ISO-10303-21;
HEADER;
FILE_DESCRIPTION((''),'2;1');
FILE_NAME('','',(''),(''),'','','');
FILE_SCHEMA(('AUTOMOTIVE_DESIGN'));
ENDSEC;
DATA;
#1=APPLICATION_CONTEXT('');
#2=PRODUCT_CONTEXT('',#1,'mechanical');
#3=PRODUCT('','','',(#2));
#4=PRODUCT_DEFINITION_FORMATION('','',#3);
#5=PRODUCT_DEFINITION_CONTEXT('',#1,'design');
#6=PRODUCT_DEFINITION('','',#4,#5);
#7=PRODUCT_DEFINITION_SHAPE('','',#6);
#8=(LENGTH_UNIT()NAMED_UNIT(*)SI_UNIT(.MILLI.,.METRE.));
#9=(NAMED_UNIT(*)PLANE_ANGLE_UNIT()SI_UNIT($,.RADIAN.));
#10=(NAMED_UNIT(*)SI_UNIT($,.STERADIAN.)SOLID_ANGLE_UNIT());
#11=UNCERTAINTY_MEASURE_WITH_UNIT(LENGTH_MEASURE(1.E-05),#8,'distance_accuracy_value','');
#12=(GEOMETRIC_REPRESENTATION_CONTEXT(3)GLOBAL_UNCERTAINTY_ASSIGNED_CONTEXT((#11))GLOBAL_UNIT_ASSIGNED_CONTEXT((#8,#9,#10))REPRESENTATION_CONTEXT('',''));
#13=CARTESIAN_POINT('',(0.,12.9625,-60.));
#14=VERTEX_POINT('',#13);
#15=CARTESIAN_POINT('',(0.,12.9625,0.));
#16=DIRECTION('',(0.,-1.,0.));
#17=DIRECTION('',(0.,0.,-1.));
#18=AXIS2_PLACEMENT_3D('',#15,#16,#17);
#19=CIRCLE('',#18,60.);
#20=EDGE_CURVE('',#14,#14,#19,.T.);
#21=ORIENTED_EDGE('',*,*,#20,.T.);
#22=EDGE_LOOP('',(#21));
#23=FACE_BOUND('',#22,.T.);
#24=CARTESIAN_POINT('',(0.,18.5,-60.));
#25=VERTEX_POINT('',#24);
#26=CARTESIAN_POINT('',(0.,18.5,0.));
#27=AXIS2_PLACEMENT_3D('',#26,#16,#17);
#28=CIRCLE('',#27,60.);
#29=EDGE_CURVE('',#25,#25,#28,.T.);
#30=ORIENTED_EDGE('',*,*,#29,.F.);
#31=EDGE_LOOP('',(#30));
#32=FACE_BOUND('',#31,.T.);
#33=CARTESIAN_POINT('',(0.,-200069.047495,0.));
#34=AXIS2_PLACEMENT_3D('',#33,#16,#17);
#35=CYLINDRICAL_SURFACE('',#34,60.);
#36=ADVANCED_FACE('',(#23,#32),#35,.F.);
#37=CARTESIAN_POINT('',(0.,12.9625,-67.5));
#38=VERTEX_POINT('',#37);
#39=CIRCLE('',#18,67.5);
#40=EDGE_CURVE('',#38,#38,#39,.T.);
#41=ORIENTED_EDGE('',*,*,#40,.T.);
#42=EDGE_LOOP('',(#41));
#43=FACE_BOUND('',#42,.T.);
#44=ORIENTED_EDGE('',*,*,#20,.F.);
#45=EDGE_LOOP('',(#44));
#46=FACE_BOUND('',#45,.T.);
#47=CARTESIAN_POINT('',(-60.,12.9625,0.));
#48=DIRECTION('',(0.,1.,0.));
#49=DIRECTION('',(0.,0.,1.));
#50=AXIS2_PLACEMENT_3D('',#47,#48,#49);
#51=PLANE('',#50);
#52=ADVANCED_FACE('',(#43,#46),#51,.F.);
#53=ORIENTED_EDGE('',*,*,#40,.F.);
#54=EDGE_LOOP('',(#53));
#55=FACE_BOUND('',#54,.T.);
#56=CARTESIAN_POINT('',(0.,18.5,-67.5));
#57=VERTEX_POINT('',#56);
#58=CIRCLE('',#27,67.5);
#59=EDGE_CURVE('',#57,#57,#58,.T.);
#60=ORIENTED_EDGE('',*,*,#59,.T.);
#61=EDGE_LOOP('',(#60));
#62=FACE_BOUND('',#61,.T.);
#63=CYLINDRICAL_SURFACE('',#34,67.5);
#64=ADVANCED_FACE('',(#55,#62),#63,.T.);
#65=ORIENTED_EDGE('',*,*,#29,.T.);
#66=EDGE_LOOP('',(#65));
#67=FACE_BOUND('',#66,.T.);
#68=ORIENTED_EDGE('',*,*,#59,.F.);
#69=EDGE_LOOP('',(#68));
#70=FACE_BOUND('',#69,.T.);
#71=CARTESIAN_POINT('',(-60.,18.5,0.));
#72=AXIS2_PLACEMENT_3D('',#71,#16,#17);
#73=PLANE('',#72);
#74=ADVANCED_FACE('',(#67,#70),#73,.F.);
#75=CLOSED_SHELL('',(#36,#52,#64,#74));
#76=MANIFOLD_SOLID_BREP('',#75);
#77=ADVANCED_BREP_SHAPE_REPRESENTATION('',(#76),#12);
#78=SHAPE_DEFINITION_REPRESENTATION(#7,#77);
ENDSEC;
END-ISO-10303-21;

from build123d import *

# Parameters (mm, degrees)
SKETCH1_W = 7.5
SKETCH1_H = 5.5375


with BuildPart() as part:
    # Sketch1 → Revolve1 (revolve)
    with BuildSketch(Plane.XY, mode=Mode.PRIVATE) as revolve1_sk:
        with Locations((-63.75, 15.73125)):
            Rectangle(SKETCH1_W, SKETCH1_H)
    revolve(revolve1_sk.sketch.rotate(Axis((0, -200069.047495165, 0), (0, 1, 0)), 270), axis=Axis((0, -200069.047495165, 0), (0, 1, 0)))


solid = part.part
